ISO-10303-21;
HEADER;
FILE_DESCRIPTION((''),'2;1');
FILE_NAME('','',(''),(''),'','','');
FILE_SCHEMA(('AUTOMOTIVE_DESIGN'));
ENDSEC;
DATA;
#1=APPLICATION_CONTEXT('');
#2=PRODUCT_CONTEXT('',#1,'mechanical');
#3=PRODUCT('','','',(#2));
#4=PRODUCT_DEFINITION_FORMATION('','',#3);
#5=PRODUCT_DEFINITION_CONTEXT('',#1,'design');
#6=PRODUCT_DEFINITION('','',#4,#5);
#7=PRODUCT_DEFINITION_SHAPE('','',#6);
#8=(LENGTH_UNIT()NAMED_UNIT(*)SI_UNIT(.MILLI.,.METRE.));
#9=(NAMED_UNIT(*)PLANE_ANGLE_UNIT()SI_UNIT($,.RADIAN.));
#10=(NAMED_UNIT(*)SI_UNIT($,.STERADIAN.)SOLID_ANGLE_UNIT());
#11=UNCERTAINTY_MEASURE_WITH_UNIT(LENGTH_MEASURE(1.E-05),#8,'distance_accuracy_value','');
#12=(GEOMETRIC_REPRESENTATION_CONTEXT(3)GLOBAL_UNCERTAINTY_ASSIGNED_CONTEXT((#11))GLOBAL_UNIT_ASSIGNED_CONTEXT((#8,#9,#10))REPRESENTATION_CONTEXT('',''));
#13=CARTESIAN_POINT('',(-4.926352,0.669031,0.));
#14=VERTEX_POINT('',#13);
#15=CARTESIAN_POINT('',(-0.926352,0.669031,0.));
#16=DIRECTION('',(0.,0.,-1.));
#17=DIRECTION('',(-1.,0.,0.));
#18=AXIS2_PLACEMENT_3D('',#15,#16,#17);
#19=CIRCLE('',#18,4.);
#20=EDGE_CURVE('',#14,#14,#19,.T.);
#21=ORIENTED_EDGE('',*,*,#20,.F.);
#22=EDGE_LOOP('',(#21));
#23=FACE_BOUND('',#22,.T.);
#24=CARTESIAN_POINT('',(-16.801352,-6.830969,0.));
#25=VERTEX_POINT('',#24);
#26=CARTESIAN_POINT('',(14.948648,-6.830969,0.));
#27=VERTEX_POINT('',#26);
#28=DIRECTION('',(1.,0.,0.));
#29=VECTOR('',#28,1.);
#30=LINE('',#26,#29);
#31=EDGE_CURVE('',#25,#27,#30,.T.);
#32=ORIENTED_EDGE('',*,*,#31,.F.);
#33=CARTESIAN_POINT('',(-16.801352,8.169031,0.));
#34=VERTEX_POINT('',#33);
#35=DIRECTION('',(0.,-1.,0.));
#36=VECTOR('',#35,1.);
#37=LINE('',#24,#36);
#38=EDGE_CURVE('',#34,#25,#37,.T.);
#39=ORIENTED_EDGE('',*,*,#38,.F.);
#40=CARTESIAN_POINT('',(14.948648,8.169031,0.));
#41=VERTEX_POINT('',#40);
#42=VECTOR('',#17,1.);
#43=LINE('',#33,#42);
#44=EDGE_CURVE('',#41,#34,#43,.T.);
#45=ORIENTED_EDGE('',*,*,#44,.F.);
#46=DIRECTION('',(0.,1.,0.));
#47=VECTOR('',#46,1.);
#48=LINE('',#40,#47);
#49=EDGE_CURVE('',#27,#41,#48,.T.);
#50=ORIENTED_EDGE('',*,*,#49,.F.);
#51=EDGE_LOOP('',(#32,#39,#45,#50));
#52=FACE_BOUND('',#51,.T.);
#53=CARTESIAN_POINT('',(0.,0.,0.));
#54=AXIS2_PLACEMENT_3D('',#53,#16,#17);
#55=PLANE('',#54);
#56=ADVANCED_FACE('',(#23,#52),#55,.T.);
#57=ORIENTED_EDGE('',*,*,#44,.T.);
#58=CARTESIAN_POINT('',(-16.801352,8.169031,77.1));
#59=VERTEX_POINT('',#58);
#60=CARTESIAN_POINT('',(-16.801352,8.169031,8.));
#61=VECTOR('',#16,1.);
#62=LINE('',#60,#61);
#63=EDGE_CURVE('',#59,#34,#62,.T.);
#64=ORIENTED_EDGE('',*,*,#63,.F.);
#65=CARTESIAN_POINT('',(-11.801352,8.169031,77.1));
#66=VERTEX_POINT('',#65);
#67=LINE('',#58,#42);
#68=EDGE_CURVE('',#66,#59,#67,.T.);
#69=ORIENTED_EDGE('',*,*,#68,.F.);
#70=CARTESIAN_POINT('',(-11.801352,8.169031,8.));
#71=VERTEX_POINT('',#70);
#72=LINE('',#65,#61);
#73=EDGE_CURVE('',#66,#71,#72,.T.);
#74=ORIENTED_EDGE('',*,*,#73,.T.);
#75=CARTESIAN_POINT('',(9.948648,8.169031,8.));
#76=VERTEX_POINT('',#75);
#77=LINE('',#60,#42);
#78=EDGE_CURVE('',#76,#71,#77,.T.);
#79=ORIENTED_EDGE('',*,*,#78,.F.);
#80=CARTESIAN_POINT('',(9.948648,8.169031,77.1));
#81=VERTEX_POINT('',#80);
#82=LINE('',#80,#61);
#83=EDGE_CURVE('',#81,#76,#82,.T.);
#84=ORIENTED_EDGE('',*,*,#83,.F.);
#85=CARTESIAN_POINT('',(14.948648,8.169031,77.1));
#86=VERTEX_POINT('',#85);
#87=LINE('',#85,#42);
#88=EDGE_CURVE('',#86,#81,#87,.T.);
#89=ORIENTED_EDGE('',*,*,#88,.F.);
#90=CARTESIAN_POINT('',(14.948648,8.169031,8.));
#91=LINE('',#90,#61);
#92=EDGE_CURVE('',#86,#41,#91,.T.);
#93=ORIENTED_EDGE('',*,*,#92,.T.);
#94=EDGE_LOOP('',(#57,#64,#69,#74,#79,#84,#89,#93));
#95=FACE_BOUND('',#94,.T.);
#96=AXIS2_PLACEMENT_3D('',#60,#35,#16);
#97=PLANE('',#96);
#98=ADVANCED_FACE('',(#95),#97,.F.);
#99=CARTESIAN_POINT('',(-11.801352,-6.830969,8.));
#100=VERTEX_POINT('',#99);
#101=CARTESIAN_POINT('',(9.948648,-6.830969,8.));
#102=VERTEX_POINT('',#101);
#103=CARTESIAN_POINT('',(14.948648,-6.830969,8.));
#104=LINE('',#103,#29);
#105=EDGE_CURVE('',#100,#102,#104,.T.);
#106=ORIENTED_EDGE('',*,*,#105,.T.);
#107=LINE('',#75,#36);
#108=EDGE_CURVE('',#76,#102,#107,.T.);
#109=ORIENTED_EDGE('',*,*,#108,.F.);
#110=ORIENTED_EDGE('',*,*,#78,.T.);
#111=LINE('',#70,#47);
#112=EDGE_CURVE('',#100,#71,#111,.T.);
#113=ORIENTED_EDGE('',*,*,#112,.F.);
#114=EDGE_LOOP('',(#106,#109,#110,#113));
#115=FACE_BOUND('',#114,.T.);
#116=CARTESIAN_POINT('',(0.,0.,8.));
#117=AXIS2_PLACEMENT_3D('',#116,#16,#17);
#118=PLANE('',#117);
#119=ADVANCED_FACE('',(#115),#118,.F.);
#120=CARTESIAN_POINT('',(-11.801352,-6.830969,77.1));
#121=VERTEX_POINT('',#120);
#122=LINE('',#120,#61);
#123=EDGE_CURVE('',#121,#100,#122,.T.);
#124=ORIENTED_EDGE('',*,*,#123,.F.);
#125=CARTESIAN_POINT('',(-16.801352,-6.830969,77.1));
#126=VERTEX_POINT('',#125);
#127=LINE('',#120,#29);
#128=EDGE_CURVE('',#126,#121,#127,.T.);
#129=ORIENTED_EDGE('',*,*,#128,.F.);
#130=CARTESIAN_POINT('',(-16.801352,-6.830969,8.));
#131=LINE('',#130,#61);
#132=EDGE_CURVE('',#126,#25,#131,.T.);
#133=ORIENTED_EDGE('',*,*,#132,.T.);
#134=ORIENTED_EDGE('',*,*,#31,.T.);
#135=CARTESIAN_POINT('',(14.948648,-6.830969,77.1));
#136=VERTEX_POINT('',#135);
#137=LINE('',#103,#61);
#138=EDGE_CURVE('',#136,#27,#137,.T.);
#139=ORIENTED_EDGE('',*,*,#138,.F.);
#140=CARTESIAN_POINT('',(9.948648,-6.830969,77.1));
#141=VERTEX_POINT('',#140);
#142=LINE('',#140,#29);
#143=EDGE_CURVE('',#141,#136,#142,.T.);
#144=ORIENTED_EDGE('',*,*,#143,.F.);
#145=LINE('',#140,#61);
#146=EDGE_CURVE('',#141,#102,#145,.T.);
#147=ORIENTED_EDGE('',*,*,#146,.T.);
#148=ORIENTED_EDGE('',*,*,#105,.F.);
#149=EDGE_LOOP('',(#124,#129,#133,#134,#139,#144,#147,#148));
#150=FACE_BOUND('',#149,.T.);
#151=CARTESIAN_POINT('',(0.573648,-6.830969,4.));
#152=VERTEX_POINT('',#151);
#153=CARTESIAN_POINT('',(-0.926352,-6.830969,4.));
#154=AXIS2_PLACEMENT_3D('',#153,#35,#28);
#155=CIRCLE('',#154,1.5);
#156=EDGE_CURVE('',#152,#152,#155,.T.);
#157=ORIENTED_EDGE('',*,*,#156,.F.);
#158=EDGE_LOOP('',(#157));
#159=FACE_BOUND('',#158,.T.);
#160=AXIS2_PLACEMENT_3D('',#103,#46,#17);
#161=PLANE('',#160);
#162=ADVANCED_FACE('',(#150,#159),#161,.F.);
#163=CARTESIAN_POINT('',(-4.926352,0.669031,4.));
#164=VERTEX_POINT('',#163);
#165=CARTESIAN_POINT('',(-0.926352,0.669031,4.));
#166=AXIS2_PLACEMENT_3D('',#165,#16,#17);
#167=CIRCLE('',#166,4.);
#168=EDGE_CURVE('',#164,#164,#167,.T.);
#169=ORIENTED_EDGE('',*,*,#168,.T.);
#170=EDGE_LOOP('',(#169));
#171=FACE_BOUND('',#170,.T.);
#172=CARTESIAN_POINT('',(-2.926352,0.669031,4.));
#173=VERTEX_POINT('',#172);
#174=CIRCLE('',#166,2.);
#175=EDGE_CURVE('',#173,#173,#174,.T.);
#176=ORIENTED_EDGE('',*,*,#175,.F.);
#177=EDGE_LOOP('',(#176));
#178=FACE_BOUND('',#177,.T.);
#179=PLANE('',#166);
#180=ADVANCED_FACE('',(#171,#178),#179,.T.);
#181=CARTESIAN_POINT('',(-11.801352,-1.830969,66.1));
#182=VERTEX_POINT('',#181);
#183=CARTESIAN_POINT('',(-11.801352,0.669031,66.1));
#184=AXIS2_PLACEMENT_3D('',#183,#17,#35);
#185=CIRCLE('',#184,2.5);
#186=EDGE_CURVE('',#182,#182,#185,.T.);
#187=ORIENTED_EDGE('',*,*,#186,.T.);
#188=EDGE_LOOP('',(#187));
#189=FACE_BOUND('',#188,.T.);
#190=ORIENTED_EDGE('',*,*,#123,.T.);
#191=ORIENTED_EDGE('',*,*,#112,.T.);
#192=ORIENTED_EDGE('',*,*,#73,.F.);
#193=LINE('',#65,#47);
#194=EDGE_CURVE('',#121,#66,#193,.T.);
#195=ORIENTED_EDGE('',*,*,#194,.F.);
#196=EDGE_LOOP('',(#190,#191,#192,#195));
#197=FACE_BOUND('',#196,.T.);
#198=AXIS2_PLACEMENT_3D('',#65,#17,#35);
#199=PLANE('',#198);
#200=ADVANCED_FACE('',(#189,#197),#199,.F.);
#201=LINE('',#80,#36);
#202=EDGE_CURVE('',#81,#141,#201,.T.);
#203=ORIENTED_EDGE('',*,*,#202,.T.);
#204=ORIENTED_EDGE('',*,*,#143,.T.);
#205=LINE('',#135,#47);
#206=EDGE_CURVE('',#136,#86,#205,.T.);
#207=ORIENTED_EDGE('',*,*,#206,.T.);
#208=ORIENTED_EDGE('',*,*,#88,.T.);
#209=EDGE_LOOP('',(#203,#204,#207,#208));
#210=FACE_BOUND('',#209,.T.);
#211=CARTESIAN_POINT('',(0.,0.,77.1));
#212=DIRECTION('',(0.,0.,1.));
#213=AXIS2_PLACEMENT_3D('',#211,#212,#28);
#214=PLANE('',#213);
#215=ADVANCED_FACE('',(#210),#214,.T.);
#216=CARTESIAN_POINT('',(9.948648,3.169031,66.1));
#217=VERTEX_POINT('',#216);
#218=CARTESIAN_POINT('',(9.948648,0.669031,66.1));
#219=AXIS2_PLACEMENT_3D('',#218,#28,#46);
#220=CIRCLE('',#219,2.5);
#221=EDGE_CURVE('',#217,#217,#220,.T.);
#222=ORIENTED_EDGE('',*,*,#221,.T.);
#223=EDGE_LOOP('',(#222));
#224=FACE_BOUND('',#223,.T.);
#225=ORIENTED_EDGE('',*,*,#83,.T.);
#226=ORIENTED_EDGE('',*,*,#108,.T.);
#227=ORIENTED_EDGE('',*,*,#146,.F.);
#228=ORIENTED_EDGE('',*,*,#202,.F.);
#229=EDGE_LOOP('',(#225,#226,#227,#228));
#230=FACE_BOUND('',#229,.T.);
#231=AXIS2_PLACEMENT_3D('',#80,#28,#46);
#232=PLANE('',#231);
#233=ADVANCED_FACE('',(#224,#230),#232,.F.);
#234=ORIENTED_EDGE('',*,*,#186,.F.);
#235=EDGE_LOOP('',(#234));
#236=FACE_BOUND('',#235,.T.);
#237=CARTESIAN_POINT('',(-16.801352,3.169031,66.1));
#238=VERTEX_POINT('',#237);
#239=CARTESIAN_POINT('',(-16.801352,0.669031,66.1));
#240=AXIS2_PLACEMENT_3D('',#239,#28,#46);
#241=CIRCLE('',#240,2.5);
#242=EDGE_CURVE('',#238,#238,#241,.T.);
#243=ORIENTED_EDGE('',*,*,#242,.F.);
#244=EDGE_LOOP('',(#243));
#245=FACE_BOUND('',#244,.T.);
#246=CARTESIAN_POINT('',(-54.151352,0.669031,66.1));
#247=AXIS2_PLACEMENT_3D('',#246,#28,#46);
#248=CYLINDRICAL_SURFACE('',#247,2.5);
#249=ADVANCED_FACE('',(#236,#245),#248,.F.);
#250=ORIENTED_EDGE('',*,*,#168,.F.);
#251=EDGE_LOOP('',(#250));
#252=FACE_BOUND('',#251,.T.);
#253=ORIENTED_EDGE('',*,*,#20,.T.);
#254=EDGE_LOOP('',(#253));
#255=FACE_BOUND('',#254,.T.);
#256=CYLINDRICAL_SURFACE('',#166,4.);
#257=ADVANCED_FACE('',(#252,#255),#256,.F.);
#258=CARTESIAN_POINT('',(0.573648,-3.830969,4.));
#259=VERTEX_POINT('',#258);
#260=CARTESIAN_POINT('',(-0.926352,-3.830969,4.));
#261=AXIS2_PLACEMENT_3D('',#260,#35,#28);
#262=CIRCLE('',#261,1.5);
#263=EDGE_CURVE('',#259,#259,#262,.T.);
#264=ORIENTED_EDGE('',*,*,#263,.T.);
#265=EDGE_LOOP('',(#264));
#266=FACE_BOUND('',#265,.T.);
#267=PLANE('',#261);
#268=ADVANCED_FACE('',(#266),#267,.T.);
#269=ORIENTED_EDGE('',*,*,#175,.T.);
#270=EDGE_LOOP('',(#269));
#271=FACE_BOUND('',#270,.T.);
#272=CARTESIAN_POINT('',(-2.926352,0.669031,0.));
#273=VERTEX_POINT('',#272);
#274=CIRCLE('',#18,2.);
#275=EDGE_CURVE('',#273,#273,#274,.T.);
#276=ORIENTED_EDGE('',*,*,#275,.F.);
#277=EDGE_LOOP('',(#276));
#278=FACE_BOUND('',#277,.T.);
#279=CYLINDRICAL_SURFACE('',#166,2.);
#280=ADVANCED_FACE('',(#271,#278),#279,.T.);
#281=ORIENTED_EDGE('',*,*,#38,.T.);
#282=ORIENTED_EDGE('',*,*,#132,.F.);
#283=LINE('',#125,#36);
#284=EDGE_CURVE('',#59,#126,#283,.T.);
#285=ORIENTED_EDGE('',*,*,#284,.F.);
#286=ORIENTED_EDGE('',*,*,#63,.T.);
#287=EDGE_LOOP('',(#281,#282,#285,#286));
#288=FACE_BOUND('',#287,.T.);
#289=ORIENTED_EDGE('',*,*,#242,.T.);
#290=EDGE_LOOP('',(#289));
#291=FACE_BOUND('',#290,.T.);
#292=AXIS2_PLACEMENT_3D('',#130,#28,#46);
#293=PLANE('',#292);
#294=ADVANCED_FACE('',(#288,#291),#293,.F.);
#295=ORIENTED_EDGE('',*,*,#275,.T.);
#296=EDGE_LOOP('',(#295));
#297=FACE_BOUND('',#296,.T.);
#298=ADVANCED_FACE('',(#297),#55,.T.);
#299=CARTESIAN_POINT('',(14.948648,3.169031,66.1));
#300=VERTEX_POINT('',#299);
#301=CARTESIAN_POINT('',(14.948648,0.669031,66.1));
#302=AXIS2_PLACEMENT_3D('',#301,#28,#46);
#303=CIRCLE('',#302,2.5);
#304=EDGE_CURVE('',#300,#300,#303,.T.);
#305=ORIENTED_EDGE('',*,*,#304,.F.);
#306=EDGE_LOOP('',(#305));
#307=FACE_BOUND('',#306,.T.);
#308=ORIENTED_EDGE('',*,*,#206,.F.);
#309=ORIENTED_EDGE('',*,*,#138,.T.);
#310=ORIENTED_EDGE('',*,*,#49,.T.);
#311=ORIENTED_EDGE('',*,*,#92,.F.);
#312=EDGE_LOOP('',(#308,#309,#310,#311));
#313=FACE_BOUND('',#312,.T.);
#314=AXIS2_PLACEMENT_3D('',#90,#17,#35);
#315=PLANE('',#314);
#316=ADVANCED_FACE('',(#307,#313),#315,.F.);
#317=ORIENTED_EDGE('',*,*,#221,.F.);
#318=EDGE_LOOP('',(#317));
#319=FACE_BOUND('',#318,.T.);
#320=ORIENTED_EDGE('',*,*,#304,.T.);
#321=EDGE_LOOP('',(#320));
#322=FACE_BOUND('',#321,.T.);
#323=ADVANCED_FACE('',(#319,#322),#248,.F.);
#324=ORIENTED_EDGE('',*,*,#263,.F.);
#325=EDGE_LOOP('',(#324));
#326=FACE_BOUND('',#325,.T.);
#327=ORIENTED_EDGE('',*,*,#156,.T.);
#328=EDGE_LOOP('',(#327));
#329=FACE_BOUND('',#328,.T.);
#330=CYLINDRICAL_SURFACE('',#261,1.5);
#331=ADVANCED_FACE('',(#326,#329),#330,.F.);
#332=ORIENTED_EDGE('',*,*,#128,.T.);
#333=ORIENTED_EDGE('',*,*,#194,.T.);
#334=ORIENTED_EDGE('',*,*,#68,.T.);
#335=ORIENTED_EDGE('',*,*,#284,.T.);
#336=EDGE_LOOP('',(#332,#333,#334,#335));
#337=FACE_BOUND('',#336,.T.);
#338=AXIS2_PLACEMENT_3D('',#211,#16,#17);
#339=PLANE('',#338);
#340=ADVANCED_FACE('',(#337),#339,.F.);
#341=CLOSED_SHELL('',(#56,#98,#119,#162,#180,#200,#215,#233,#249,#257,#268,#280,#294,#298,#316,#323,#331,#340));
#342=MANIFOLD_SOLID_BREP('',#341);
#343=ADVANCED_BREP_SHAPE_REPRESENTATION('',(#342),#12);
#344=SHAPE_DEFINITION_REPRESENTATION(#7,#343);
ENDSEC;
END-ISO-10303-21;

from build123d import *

# Parameters (mm, degrees)
SKETCH1_W           = 31.75
SKETCH1_H           = 15
BOSS_EXTRUDE1_DEPTH = 8
SKETCH2_W           = 5
SKETCH2_H           = 15
BOSS_EXTRUDE2_DEPTH = 69.1
SKETCH3_R           = 2.5
CUT_EXTRUDE1_DEPTH  = 69.1
SKETCH4_R           = 4
SKETCH4_R_2         = 2
CUT_EXTRUDE3_DEPTH  = 4
SKETCH5_R           = 1.5
CUT_EXTRUDE4_DEPTH  = 3


with BuildPart() as part:
    # Sketch1 → Boss-Extrude1 (new body)
    with BuildSketch(Plane.XY):
        with Locations((-0.926352113, 0.669031185)):
            Rectangle(SKETCH1_W, SKETCH1_H)
    extrude(amount=BOSS_EXTRUDE1_DEPTH)

    # Sketch2 → Boss-Extrude2 (add)
    with BuildSketch(Plane.XY.offset(8)):
        with Locations((-14.301352113, 0.669031185)):
            Rectangle(SKETCH2_W, SKETCH2_H)
        with Locations((12.448647887, 0.669031185)):
            Rectangle(SKETCH2_W, SKETCH2_H)
    extrude(amount=BOSS_EXTRUDE2_DEPTH)

    # Sketch3 → Cut-Extrude1 (cut)
    with BuildSketch(Plane(origin=(14.948647887, 0, 0), x_dir=(0, 0, -1), z_dir=(1, 0, 0))):
        with Locations(Location((-66.1, 0.669031185, 0), (0, 0, 90))):
            Circle(SKETCH3_R)
    extrude(amount=-CUT_EXTRUDE1_DEPTH, mode=Mode.SUBTRACT)

    # Sketch4 → Cut-Extrude3 (cut)
    with BuildSketch(Plane(origin=(0, 0, 0), x_dir=(-1, 0, 0), z_dir=(0, 0, -1))):
        with Locations((0.926352113, 0.669031185)):
            Circle(SKETCH4_R)
        with Locations((0.926352113, 0.669031185)):
            Circle(SKETCH4_R_2, mode=Mode.SUBTRACT)
    extrude(amount=-CUT_EXTRUDE3_DEPTH, mode=Mode.SUBTRACT)

    # Sketch5 → Cut-Extrude4 (cut)
    with BuildSketch(Plane.XZ.offset(6.830968815)):
        with Locations((-0.926352113, 4)):
            Circle(SKETCH5_R)
    extrude(amount=-CUT_EXTRUDE4_DEPTH, mode=Mode.SUBTRACT)


solid = part.part
